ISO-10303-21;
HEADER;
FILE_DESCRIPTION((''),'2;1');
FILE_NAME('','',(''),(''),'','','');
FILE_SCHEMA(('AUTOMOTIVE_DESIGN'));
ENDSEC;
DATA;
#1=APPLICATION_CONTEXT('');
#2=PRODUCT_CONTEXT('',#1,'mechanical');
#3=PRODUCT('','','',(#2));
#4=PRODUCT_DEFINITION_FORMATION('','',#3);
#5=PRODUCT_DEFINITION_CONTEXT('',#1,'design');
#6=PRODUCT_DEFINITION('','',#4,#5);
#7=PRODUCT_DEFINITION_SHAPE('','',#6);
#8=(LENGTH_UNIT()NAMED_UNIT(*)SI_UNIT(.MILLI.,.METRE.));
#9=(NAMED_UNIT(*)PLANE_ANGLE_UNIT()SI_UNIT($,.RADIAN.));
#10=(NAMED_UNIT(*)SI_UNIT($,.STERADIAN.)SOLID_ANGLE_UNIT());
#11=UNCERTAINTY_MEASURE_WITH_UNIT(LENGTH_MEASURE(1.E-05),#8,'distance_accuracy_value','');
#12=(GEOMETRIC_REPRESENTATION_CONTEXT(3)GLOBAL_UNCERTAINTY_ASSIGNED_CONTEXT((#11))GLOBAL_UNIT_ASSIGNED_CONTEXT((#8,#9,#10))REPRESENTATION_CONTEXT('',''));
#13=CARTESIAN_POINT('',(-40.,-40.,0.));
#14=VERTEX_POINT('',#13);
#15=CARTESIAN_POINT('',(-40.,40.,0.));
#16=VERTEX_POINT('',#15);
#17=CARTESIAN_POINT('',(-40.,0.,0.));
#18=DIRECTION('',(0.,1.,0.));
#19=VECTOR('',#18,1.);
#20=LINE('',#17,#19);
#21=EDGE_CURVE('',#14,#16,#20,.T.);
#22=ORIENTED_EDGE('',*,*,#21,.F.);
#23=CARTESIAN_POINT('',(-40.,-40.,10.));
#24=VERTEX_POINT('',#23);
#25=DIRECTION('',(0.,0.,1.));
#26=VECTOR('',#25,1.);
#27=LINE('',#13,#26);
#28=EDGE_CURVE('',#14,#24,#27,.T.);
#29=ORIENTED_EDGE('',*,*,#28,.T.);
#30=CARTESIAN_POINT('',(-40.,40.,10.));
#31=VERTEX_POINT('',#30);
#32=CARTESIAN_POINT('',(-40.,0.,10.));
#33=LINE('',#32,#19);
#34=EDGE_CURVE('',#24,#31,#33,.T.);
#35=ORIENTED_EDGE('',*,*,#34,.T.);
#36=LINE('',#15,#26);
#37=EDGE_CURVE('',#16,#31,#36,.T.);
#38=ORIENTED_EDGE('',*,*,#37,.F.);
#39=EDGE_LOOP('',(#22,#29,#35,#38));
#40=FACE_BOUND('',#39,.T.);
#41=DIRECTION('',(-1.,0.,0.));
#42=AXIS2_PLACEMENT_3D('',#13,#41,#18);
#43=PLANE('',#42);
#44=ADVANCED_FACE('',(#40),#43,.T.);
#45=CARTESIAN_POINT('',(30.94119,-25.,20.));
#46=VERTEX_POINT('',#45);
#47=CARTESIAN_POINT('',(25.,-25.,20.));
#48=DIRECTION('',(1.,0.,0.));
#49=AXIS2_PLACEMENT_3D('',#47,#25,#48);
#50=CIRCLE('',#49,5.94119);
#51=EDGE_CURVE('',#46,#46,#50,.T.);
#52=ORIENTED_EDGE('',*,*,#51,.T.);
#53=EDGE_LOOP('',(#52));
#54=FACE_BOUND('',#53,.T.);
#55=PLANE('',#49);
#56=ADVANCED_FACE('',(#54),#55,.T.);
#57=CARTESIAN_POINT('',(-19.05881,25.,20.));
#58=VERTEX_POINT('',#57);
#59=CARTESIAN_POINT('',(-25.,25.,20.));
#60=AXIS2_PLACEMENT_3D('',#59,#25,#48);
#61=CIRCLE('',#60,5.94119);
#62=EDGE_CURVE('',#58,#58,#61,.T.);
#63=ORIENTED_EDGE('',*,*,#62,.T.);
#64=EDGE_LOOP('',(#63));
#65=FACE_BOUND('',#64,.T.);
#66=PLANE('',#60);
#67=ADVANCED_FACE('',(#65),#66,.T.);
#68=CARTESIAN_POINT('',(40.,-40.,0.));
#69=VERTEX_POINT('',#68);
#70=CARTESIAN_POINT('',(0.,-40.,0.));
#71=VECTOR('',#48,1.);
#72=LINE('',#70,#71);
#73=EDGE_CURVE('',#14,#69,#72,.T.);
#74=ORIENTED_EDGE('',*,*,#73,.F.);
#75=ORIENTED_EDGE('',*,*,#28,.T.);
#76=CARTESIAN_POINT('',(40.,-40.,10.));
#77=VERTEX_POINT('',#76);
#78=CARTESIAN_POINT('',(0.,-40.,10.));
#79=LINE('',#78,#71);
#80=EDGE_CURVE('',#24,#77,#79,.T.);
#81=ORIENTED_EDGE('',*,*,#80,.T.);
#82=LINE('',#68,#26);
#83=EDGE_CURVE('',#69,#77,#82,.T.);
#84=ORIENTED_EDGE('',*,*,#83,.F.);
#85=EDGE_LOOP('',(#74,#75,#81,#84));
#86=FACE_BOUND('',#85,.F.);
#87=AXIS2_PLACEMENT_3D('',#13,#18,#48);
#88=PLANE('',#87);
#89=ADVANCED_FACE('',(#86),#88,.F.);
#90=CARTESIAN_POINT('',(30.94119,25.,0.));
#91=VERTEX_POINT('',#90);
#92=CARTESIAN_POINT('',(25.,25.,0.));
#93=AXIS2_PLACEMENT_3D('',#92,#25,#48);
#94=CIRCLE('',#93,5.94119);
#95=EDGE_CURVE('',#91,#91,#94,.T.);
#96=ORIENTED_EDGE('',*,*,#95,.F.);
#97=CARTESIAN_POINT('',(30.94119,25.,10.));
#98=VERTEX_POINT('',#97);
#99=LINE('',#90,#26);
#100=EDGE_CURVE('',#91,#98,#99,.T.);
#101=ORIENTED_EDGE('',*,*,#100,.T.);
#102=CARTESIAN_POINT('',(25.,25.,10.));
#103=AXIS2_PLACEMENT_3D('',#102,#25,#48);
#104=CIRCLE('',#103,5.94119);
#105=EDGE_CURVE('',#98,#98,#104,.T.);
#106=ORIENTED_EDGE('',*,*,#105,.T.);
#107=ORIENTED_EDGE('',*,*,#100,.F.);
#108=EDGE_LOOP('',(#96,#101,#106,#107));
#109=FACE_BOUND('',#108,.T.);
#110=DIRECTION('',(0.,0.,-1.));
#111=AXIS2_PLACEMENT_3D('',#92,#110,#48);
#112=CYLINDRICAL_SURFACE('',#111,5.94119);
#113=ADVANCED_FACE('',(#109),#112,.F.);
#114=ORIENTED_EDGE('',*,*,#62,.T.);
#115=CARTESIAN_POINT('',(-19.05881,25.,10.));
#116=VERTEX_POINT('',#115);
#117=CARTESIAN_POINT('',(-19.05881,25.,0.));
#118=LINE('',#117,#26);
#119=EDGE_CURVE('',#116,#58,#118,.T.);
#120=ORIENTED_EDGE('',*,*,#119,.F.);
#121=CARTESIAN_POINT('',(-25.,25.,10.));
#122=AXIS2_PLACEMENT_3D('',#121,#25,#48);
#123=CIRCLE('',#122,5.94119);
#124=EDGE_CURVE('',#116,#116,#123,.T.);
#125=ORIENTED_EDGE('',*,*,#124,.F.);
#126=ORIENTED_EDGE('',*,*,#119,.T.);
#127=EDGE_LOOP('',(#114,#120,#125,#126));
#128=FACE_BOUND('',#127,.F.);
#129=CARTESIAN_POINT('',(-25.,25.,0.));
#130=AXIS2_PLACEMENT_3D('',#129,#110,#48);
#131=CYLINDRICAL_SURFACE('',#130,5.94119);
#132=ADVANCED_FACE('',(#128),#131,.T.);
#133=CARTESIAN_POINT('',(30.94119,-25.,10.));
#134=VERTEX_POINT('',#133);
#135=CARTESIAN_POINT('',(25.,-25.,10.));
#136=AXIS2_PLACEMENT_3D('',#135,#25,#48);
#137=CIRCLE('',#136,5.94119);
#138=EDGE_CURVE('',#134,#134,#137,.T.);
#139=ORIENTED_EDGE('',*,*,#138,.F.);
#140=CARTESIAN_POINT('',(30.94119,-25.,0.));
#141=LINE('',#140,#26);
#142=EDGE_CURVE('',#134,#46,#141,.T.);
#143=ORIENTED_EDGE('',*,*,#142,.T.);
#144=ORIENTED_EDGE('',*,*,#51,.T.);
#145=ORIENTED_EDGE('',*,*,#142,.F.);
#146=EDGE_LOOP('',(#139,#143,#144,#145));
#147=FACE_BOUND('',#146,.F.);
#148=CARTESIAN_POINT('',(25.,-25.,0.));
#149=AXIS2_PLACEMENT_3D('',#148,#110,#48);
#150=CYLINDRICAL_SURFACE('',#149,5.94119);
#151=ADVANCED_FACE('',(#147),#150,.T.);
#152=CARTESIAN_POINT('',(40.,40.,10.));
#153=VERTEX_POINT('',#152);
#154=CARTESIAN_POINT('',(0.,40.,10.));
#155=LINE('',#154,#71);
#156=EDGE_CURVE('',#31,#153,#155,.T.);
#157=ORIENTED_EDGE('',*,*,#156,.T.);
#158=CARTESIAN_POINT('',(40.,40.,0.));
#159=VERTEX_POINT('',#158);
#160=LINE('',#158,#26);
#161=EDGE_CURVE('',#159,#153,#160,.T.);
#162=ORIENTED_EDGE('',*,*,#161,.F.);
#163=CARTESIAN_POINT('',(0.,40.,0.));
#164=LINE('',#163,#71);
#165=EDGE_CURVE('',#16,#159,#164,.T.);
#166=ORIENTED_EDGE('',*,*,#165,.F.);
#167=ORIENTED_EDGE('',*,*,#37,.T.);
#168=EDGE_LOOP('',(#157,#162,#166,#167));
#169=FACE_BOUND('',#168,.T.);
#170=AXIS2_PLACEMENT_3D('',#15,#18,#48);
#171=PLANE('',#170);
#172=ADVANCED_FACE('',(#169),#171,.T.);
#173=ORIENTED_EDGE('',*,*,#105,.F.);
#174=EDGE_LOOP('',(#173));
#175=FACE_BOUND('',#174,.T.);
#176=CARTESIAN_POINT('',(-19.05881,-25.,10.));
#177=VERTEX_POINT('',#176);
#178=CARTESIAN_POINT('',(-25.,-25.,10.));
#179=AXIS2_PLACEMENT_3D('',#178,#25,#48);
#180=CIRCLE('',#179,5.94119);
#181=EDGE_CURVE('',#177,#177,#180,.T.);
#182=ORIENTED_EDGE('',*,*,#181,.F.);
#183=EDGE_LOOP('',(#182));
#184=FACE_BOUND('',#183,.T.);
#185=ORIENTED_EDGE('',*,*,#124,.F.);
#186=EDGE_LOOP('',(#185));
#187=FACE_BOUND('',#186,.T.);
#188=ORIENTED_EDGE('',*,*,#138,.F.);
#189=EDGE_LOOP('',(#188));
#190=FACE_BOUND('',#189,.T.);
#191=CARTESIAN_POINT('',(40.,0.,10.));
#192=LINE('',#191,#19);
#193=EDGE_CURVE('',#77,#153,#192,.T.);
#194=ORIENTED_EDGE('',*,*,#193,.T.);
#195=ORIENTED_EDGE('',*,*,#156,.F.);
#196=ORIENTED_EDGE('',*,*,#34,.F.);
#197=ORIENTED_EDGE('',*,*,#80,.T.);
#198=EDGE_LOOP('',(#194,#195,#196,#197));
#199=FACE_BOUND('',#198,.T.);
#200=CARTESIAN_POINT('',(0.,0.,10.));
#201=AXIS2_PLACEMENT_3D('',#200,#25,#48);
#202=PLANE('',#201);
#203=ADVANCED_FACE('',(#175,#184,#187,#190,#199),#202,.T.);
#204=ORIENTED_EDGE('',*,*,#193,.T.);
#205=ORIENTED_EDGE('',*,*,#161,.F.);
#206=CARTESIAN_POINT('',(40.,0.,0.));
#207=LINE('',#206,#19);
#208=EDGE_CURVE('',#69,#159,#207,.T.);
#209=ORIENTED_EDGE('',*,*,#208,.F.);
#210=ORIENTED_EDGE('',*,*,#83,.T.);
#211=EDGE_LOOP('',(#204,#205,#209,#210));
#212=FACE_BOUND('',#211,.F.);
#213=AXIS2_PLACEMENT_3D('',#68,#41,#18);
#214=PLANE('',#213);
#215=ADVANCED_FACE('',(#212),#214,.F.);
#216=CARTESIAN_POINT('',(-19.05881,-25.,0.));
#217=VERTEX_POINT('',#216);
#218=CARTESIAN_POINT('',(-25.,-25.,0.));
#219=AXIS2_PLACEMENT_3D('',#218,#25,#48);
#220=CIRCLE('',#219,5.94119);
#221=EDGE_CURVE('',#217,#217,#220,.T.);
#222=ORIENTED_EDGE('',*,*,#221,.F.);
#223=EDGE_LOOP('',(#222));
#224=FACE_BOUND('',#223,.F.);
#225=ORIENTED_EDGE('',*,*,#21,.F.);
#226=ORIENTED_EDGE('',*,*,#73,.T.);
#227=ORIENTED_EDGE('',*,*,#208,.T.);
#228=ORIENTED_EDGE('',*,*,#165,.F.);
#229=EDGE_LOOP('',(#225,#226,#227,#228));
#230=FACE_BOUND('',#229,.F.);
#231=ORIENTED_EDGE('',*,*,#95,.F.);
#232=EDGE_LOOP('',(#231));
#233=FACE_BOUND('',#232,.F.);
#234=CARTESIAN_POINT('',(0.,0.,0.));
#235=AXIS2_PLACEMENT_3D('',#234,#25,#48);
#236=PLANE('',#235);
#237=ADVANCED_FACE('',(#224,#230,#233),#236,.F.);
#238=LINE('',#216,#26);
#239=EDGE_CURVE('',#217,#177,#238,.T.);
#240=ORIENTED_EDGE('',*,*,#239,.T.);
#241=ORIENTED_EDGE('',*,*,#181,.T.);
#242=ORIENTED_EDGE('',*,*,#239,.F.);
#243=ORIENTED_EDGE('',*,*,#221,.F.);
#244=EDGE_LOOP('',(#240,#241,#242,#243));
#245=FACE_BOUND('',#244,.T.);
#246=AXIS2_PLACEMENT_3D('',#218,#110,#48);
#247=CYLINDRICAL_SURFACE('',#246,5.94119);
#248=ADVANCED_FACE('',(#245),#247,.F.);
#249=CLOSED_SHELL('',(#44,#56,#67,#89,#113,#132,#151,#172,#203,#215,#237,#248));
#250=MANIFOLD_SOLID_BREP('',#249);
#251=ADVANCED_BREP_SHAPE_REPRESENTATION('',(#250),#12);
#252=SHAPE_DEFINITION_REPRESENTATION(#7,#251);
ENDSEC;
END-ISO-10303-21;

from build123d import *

# Parameters (mm, degrees)
F0_W     = 80
F0_H     = 80
F0_R     = 5.94119
F1_DEPTH = 10
F2_DEPTH = 20


with BuildPart() as f1:
    # F0 (on Top) → F1 (new body)
    with BuildSketch(Plane.XY):
        Rectangle(F0_W, F0_H)
        with Locations((-25, -25)):
            Circle(F0_R, mode=Mode.SUBTRACT)
        with Locations((25, -25)):
            Circle(F0_R, mode=Mode.SUBTRACT)
        with Locations((-25, 25)):
            Circle(F0_R, mode=Mode.SUBTRACT)
        with Locations((25, 25)):
            Circle(F0_R, mode=Mode.SUBTRACT)
    extrude(amount=F1_DEPTH)

    # F0 (on Top) → F2 (join)
    with BuildSketch(Plane.XY):
        with Locations((-25, 25)):
            Circle(F0_R)
        with Locations((25, -25)):
            Circle(F0_R)
    extrude(amount=F2_DEPTH)


solid = f1.part
